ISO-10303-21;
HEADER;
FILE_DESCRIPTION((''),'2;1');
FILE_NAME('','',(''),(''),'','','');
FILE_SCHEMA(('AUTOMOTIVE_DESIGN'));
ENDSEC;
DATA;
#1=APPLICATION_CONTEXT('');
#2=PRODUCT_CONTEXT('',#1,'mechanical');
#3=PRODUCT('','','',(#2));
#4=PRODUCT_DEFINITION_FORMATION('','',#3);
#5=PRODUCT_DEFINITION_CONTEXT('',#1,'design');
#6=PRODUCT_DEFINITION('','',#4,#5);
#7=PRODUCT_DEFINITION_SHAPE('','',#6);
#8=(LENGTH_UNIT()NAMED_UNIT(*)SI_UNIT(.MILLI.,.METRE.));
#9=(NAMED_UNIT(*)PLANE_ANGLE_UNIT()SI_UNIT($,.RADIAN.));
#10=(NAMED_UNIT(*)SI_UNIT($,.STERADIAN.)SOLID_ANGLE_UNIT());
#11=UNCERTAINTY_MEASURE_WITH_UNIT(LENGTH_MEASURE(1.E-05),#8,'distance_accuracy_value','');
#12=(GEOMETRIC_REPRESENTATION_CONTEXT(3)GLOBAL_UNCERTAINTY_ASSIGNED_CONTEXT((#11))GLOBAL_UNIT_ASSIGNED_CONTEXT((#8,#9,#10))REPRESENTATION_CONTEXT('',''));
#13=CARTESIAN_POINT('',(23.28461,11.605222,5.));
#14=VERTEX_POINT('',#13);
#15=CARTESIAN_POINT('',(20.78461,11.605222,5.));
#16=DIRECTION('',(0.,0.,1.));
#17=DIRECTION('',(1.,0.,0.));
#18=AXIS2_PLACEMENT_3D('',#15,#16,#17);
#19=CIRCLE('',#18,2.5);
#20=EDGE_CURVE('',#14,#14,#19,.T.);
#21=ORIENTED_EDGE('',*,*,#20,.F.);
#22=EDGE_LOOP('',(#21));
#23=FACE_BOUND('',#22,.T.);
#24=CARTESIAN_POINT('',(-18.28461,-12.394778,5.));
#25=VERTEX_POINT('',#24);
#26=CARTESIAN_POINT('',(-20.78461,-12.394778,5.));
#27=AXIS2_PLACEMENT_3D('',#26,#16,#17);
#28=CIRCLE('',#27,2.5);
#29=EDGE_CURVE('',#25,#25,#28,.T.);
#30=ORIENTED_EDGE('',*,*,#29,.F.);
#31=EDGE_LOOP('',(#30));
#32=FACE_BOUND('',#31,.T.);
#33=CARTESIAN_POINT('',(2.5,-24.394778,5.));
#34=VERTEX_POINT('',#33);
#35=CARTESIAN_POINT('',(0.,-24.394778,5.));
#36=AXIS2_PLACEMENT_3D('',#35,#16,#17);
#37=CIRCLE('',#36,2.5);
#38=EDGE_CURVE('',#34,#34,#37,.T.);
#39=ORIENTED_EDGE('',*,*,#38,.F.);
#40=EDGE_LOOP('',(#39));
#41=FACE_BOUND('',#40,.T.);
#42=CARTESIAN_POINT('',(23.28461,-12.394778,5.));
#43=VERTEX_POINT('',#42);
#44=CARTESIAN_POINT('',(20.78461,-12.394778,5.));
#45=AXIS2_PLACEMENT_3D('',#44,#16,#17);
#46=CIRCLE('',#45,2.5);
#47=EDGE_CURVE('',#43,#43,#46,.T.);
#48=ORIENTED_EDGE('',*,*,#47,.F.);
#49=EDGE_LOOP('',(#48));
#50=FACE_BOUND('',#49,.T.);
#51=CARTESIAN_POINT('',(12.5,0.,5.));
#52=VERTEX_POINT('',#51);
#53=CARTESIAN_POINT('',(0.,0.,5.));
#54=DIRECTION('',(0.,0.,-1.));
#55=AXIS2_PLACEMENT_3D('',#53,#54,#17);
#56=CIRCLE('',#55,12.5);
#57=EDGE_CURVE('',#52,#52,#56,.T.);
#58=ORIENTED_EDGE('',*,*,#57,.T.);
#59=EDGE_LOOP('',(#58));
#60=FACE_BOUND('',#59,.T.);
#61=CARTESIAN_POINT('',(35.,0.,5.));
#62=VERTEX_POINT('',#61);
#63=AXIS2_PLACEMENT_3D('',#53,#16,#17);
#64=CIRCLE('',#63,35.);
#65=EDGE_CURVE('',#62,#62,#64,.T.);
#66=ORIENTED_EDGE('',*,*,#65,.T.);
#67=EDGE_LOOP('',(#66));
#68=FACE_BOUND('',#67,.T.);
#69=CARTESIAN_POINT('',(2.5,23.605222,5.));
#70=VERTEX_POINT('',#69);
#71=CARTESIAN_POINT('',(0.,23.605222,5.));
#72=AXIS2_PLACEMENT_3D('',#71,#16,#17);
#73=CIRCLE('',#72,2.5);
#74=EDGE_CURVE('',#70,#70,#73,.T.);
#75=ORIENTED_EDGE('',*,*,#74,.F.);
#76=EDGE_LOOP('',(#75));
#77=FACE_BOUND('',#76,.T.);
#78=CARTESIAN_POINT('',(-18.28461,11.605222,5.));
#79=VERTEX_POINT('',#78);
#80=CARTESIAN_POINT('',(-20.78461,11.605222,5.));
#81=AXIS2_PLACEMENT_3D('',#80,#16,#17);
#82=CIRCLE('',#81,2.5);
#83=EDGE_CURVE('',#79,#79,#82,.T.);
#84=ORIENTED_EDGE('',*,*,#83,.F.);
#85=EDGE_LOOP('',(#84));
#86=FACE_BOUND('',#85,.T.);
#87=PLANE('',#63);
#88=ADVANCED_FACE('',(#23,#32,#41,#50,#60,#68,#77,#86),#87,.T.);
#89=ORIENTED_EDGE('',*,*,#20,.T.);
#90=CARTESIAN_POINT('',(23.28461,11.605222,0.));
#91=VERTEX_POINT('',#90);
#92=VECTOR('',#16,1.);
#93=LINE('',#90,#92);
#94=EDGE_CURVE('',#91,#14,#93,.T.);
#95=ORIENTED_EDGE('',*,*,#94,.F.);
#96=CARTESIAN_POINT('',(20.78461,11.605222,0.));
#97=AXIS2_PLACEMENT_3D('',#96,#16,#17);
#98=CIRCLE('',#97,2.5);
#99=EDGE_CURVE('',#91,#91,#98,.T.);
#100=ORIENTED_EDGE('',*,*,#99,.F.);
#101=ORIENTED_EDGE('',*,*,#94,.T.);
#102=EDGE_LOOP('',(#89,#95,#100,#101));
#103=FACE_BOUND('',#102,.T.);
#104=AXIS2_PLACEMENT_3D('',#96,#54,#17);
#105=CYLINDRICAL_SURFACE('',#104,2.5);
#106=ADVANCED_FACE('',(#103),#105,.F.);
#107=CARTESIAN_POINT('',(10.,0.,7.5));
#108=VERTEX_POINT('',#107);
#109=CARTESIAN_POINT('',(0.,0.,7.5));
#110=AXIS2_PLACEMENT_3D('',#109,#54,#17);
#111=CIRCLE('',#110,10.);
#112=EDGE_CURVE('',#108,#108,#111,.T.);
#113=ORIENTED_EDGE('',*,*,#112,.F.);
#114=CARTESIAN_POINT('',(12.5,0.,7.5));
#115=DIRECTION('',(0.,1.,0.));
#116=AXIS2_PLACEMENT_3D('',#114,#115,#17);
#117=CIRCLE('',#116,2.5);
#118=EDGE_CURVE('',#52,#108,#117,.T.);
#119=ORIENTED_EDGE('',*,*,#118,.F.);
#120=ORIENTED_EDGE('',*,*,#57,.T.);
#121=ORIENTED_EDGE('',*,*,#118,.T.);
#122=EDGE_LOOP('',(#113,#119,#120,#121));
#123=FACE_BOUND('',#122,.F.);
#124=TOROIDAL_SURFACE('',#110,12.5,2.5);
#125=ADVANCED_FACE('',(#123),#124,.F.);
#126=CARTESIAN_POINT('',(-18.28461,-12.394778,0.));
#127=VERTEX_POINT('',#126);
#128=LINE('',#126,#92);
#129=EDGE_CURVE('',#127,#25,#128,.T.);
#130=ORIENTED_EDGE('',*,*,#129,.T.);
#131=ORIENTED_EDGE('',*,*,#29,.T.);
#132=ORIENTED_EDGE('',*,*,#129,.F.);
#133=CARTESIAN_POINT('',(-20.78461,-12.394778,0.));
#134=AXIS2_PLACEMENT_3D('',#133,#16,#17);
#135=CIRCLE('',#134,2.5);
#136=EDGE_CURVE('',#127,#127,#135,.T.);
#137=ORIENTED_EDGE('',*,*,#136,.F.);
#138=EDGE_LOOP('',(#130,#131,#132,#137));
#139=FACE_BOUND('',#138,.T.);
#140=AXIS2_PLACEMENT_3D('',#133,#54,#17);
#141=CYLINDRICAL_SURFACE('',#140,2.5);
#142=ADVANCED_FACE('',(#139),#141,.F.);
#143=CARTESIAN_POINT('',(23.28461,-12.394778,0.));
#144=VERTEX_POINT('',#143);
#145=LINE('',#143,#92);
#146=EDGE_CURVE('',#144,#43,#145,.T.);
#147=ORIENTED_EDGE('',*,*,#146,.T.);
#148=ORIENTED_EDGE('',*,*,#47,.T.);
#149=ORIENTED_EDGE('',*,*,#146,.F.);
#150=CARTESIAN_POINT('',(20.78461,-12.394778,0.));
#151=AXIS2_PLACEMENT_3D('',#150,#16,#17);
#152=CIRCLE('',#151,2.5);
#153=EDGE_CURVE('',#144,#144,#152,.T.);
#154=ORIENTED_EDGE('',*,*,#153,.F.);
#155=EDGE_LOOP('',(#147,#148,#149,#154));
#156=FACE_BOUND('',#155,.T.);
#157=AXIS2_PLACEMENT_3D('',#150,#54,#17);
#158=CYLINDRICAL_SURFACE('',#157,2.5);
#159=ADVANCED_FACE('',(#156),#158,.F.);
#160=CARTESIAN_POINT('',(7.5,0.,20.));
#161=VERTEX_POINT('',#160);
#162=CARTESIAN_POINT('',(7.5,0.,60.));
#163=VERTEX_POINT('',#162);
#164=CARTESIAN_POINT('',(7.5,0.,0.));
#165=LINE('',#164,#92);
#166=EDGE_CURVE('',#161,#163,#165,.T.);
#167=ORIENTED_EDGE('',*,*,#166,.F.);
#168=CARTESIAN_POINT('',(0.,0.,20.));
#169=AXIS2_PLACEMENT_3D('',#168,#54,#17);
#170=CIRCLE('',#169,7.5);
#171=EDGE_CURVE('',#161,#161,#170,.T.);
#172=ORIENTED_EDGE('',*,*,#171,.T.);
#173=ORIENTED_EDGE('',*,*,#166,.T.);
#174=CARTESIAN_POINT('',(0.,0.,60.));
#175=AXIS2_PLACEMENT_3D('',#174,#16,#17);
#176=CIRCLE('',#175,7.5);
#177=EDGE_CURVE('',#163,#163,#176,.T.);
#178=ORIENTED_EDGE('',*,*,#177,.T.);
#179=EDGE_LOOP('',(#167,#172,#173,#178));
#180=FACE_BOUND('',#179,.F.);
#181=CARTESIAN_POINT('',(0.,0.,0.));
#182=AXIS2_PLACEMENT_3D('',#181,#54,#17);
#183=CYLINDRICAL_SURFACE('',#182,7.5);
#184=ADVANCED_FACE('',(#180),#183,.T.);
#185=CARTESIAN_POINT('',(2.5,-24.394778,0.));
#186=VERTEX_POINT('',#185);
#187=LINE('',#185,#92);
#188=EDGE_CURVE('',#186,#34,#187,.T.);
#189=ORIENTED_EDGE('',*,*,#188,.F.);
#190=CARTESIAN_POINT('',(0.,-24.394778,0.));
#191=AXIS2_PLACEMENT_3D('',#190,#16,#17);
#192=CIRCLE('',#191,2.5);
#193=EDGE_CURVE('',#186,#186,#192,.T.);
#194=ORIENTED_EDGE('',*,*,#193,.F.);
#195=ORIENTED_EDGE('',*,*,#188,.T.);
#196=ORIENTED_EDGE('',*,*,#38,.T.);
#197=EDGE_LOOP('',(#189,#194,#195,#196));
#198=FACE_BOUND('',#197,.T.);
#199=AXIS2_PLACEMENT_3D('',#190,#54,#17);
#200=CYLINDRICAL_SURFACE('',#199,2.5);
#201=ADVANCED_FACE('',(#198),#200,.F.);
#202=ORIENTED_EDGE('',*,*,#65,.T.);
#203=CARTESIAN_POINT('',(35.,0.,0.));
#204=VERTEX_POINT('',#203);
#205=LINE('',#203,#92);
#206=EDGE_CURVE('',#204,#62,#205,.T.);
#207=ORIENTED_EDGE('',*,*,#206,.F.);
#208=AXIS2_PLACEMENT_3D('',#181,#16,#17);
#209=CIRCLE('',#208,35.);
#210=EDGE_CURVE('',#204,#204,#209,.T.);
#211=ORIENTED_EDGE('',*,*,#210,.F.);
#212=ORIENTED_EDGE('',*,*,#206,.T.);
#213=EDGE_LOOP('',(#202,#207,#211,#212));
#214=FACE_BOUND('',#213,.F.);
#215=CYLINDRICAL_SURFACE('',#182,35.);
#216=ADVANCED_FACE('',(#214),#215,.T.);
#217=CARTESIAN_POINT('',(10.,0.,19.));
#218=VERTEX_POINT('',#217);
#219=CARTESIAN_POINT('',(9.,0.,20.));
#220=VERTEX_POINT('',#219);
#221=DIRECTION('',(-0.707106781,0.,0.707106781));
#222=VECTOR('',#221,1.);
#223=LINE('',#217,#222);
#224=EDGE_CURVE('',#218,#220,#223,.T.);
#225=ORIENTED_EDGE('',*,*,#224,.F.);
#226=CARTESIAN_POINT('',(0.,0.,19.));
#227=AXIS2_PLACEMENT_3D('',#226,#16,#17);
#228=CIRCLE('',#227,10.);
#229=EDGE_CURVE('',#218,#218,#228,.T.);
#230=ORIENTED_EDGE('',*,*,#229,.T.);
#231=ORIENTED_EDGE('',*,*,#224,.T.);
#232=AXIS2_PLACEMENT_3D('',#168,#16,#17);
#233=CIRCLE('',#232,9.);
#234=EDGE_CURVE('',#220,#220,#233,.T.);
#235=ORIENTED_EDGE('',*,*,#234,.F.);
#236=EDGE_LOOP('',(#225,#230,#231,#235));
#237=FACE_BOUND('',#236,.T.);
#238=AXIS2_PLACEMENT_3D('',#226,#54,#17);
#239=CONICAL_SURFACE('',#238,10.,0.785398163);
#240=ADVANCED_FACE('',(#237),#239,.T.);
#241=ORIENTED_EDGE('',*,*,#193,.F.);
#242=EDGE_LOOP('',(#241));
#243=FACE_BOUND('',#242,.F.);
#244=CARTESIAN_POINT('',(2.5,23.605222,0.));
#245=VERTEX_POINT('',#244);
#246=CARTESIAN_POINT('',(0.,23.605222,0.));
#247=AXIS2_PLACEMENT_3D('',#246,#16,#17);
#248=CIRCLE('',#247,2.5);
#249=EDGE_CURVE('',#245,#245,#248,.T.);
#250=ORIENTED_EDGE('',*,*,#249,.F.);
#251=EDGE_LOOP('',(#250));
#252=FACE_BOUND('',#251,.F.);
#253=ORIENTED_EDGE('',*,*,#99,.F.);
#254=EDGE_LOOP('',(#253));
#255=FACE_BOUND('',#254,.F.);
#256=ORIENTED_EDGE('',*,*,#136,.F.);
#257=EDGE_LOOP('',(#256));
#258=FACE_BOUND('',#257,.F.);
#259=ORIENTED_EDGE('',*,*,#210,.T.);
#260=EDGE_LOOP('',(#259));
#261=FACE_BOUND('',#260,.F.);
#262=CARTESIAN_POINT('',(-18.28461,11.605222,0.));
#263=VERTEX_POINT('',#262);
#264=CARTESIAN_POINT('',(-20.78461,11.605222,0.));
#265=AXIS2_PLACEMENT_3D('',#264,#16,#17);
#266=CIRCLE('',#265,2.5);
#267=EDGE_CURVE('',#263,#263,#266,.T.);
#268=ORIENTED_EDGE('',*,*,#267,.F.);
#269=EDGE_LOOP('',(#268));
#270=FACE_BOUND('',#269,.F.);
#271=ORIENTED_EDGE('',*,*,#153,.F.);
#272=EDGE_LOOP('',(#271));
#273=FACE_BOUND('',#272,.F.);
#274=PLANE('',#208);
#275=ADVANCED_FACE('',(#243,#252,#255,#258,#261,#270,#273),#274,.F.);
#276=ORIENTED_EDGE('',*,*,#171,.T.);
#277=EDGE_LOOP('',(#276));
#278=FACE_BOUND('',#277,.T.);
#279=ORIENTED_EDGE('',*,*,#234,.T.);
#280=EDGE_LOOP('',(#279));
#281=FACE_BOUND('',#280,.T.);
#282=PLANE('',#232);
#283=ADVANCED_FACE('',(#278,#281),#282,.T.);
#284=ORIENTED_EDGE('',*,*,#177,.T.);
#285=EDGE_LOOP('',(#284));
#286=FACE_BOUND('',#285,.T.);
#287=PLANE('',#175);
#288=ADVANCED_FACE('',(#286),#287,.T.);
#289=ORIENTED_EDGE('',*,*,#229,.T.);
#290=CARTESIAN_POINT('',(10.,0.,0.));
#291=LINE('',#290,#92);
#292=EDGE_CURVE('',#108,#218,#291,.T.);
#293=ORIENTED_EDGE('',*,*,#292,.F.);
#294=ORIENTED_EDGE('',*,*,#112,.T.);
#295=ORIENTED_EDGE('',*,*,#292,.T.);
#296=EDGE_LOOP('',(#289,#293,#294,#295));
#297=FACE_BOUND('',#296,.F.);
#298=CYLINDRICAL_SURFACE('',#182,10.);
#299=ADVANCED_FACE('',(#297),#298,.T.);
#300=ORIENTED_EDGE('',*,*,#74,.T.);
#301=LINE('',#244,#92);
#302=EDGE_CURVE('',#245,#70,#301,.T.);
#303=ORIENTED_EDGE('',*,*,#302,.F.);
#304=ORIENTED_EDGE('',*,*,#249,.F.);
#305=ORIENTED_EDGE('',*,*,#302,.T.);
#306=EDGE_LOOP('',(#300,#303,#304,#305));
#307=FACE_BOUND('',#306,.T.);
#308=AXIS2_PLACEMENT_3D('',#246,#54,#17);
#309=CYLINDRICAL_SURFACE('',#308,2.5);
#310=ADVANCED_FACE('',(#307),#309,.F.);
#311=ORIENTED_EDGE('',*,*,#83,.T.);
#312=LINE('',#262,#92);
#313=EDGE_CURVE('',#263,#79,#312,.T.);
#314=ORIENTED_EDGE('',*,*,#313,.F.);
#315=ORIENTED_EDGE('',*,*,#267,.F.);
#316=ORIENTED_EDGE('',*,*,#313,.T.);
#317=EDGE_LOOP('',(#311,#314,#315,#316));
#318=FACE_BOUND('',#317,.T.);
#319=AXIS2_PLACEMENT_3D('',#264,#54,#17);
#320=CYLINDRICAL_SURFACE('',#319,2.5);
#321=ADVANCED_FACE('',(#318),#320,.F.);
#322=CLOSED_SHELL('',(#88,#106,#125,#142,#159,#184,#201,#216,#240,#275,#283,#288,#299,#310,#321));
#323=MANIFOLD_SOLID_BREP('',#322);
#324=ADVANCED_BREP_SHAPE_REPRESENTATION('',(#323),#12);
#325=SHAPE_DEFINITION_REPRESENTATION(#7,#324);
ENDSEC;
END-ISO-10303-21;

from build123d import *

# Parameters (mm, degrees)
F0_R     = 35
F0_R_2   = 2.5
F1_DEPTH = 5
F2_R     = 10
F3_DEPTH = 20
F4_R     = 7.5
F5_DEPTH = 60
F6_R     = 2.5
F7_SIZE  = 1


with BuildPart() as f1:
    # F0 (on Top) → F1 (new body)
    with BuildSketch(Plane.XY):
        Circle(F0_R)
        with Locations((-20.7846096908, -12.3947781175)):
            Circle(F0_R_2, mode=Mode.SUBTRACT)
        with Locations((0, -24.3947781175)):
            Circle(F0_R_2, mode=Mode.SUBTRACT)
        with Locations((20.7846096908, -12.3947781175)):
            Circle(F0_R_2, mode=Mode.SUBTRACT)
        with Locations((-20.7846096908, 11.6052218825)):
            Circle(F0_R_2, mode=Mode.SUBTRACT)
        with Locations((20.7846096908, 11.6052218825)):
            Circle(F0_R_2, mode=Mode.SUBTRACT)
        with Locations((0, 23.6052218825)):
            Circle(F0_R_2, mode=Mode.SUBTRACT)
    extrude(amount=F1_DEPTH)

    # F2 (on Top) → F3 (join)
    with BuildSketch(Plane.XY):
        Circle(F2_R)
    extrude(amount=F3_DEPTH)

    # F4 (on Top) → F5 (join)
    with BuildSketch(Plane.XY):
        Circle(F4_R)
    extrude(amount=F5_DEPTH)

    # F6
    f6_edges = [f1.edges().sort_by_distance(p)[0] for p in [
        (-10, 0, 5),
    ]]
    fillet(f6_edges, radius=F6_R)

    # F7
    f7_edges = [f1.edges().sort_by_distance(p)[0] for p in [
        (-10, 0, 20),
    ]]
    chamfer(f7_edges, length=F7_SIZE)


solid = f1.part
